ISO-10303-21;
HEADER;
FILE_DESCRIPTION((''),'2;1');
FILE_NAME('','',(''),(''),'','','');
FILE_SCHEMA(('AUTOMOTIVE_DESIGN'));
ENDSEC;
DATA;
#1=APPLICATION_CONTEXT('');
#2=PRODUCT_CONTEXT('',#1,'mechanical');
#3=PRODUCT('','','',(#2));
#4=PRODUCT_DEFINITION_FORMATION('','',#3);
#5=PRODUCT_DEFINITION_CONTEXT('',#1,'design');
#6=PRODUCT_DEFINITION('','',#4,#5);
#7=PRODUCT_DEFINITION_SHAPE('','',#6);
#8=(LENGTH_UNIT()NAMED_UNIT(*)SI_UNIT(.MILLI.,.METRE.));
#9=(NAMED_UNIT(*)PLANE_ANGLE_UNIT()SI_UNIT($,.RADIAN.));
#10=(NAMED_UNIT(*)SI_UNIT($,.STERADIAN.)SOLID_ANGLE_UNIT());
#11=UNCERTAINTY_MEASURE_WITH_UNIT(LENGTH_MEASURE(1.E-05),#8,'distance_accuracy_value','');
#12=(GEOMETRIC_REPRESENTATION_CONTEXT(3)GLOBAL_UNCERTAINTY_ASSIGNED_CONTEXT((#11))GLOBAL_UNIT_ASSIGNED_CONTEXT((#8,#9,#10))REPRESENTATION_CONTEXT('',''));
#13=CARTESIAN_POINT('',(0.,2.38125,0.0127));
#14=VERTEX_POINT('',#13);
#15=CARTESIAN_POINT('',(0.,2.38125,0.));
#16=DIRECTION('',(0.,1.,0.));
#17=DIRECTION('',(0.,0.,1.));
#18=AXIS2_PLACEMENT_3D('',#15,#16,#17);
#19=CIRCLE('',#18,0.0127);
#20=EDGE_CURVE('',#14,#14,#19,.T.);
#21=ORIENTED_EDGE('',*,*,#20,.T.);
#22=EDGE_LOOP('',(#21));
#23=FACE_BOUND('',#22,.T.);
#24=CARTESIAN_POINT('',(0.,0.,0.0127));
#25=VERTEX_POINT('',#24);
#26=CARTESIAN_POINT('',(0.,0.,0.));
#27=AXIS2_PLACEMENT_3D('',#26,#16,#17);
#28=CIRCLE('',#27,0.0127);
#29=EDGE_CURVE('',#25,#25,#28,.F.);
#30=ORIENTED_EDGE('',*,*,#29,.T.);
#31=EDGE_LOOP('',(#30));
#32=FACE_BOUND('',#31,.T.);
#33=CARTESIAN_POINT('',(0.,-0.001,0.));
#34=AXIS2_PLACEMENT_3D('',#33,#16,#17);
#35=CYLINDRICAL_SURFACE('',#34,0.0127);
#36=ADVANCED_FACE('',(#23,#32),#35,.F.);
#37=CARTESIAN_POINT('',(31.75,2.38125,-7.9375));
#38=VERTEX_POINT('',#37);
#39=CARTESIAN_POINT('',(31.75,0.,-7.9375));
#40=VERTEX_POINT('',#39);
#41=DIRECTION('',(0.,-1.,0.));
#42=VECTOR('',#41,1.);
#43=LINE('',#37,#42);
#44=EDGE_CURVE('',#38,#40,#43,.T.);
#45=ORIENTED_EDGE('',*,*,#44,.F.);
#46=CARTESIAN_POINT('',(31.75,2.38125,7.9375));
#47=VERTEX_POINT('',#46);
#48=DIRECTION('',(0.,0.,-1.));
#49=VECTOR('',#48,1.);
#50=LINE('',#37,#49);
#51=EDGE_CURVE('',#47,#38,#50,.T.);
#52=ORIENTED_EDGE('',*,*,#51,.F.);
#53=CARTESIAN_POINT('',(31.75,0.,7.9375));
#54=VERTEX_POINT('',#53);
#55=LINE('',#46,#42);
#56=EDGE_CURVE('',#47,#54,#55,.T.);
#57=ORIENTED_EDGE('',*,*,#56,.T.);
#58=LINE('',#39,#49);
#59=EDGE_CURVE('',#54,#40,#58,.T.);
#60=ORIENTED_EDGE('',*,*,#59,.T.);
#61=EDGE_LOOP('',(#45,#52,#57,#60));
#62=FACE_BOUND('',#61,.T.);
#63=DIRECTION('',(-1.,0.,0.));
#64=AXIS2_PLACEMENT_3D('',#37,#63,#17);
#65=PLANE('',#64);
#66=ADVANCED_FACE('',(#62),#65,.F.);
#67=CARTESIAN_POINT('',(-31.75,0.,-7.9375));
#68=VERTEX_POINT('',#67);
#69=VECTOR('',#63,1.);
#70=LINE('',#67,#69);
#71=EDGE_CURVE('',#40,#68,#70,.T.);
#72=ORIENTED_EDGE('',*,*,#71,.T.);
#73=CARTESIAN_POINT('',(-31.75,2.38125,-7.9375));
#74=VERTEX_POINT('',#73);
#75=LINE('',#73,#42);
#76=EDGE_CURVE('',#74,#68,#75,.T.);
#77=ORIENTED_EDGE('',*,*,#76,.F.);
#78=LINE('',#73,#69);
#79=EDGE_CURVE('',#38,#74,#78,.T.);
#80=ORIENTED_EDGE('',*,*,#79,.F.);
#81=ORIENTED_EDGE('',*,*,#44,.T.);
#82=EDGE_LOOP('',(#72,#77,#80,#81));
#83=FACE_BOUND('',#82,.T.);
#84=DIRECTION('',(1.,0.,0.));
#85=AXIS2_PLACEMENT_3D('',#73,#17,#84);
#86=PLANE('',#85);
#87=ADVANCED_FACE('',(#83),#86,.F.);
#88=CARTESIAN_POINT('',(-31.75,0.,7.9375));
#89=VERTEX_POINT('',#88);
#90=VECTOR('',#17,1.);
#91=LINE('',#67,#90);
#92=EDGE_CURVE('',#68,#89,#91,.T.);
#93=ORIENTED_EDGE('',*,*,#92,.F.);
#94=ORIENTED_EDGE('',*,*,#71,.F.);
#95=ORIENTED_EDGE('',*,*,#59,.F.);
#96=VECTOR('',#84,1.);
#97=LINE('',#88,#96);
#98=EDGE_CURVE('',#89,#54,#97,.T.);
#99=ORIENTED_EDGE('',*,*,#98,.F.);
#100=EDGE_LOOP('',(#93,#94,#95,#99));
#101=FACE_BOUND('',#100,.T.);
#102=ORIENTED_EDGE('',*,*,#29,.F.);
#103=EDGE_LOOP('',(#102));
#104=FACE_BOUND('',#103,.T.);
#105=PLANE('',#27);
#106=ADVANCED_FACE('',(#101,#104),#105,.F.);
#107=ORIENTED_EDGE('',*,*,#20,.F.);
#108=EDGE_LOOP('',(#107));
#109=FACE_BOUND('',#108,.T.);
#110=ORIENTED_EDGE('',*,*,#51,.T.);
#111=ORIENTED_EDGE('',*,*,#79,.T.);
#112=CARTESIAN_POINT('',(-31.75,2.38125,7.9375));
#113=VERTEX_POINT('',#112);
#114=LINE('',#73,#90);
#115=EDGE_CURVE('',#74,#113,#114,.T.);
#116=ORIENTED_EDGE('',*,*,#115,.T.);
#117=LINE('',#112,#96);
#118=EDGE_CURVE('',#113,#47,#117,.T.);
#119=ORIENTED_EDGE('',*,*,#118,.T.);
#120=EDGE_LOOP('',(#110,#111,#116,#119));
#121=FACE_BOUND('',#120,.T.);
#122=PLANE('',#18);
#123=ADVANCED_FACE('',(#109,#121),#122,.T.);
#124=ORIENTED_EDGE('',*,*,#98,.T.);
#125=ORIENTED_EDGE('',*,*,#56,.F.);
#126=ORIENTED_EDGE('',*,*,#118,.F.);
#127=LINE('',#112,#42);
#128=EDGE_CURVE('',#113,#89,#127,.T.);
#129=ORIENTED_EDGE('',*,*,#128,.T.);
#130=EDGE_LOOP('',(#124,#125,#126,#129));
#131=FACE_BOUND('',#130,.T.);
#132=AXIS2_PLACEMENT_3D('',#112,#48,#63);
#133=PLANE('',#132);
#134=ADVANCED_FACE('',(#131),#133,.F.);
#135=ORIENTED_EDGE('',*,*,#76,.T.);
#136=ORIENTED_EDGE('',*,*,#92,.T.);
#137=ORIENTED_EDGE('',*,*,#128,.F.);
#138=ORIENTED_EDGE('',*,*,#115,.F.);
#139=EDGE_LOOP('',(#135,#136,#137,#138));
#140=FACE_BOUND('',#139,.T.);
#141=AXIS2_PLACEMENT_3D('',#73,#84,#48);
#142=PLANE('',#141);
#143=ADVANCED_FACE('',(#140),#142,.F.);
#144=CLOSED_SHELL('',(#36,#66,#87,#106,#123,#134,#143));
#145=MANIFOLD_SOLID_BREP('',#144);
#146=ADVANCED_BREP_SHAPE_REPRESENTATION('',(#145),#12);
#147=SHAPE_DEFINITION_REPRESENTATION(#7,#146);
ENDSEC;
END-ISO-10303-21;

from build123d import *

# Parameters (mm, degrees)
SKETCH2_W           = 63.5
SKETCH2_H           = 15.875
BOSS_EXTRUDE1_DEPTH = 2.38125
CUT_EXTRUDE1_REACH  = 34.814
SKETCH3_R           = 0.0127


with BuildPart() as part:
    # Sketch2 → Boss-Extrude1 (new body)
    with BuildSketch(Plane(origin=(0, 0, 0), x_dir=(1, 0, 0), z_dir=(0, 1, 0))):
        Rectangle(SKETCH2_W, SKETCH2_H)
    extrude(amount=BOSS_EXTRUDE1_DEPTH)

    # Sketch3 → Cut-Extrude1 (cut, up to next)
    with BuildSketch(Plane(origin=(0, 2.38125, 0), x_dir=(1, 0, 0), z_dir=(0, 1, 0)), mode=Mode.PRIVATE) as cut_extrude1_sk1:
        with Locations(Location((0, 0, 0), (0, 0, 270))):
            Circle(SKETCH3_R)
    cut_extrude1_tool1 = extrude(cut_extrude1_sk1.sketch, amount=-CUT_EXTRUDE1_REACH, mode=Mode.PRIVATE) & part.part
    add(cut_extrude1_tool1.solids().sort_by_distance((0, 2.38125, 0))[0], mode=Mode.SUBTRACT)


solid = part.part
